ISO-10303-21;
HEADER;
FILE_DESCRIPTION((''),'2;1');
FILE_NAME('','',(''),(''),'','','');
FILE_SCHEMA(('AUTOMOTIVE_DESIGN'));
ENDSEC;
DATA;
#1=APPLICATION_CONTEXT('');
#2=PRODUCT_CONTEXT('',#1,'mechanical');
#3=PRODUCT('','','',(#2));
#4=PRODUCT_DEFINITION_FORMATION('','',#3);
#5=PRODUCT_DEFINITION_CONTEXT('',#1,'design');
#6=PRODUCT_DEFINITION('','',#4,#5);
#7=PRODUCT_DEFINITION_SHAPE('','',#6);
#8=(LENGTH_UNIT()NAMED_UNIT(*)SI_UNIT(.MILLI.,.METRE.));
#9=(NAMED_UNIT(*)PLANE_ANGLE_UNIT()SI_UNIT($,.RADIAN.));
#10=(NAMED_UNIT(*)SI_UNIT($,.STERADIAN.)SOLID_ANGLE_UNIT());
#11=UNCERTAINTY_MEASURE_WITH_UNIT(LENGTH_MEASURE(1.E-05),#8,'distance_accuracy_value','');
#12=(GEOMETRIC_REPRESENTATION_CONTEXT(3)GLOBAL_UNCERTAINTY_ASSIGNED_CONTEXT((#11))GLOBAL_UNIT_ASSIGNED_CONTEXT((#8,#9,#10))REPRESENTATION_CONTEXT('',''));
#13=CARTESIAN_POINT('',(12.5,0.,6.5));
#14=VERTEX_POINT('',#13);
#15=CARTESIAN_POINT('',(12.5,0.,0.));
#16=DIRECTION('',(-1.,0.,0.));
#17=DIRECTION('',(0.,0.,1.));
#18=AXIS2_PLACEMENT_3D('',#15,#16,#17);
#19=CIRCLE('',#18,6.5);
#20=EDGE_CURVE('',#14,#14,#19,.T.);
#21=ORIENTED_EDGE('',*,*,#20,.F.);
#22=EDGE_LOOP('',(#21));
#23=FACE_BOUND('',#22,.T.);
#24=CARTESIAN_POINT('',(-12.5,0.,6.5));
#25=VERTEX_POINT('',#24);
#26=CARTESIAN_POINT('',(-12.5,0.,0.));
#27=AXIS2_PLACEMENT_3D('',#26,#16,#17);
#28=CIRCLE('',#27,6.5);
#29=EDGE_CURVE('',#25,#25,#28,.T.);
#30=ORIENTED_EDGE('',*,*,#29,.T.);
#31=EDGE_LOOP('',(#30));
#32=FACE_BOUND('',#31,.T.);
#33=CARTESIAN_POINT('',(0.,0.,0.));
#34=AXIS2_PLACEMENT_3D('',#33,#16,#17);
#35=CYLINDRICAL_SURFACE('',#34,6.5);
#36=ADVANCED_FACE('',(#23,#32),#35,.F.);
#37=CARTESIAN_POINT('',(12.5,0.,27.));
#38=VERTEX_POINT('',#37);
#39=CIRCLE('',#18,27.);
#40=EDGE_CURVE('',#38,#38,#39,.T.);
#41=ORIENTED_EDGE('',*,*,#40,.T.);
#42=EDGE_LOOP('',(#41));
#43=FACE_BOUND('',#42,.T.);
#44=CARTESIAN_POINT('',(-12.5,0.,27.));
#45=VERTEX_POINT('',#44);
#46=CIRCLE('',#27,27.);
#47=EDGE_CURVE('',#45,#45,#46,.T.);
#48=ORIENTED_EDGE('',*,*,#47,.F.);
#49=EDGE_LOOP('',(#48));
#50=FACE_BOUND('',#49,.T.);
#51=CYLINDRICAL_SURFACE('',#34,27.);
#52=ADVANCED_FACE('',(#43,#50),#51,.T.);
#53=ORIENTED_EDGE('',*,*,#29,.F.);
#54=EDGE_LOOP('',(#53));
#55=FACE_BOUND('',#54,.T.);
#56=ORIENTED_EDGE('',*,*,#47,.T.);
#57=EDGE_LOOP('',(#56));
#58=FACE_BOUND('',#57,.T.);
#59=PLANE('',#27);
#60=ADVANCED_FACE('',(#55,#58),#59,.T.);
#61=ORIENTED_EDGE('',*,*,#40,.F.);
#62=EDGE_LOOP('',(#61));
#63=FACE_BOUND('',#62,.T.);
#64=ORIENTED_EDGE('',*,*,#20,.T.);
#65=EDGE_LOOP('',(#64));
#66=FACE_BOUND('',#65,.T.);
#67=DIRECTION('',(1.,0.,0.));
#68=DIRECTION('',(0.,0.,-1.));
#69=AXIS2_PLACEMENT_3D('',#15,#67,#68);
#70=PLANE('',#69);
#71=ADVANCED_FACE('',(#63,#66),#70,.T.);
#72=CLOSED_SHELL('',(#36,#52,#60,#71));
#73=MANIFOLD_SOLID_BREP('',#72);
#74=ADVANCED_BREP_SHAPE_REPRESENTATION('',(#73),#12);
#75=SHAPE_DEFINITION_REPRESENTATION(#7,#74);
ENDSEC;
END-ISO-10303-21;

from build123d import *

# Parameters (mm, degrees)
SKIZZE1_W = 25
SKIZZE1_H = 20.5


with BuildPart() as part:
    # Skizze1 → Rotation1 (revolve)
    with BuildSketch(Plane.XY, mode=Mode.PRIVATE) as rotation1_sk:
        with Locations((0, 16.75)):
            Rectangle(SKIZZE1_W, SKIZZE1_H)
    revolve(rotation1_sk.sketch.rotate(Axis((0, 0, 0), (1, 0, 0)), 90), axis=Axis((0, 0, 0), (1, 0, 0)))  # turned: the seam where the file's is


solid = part.part
